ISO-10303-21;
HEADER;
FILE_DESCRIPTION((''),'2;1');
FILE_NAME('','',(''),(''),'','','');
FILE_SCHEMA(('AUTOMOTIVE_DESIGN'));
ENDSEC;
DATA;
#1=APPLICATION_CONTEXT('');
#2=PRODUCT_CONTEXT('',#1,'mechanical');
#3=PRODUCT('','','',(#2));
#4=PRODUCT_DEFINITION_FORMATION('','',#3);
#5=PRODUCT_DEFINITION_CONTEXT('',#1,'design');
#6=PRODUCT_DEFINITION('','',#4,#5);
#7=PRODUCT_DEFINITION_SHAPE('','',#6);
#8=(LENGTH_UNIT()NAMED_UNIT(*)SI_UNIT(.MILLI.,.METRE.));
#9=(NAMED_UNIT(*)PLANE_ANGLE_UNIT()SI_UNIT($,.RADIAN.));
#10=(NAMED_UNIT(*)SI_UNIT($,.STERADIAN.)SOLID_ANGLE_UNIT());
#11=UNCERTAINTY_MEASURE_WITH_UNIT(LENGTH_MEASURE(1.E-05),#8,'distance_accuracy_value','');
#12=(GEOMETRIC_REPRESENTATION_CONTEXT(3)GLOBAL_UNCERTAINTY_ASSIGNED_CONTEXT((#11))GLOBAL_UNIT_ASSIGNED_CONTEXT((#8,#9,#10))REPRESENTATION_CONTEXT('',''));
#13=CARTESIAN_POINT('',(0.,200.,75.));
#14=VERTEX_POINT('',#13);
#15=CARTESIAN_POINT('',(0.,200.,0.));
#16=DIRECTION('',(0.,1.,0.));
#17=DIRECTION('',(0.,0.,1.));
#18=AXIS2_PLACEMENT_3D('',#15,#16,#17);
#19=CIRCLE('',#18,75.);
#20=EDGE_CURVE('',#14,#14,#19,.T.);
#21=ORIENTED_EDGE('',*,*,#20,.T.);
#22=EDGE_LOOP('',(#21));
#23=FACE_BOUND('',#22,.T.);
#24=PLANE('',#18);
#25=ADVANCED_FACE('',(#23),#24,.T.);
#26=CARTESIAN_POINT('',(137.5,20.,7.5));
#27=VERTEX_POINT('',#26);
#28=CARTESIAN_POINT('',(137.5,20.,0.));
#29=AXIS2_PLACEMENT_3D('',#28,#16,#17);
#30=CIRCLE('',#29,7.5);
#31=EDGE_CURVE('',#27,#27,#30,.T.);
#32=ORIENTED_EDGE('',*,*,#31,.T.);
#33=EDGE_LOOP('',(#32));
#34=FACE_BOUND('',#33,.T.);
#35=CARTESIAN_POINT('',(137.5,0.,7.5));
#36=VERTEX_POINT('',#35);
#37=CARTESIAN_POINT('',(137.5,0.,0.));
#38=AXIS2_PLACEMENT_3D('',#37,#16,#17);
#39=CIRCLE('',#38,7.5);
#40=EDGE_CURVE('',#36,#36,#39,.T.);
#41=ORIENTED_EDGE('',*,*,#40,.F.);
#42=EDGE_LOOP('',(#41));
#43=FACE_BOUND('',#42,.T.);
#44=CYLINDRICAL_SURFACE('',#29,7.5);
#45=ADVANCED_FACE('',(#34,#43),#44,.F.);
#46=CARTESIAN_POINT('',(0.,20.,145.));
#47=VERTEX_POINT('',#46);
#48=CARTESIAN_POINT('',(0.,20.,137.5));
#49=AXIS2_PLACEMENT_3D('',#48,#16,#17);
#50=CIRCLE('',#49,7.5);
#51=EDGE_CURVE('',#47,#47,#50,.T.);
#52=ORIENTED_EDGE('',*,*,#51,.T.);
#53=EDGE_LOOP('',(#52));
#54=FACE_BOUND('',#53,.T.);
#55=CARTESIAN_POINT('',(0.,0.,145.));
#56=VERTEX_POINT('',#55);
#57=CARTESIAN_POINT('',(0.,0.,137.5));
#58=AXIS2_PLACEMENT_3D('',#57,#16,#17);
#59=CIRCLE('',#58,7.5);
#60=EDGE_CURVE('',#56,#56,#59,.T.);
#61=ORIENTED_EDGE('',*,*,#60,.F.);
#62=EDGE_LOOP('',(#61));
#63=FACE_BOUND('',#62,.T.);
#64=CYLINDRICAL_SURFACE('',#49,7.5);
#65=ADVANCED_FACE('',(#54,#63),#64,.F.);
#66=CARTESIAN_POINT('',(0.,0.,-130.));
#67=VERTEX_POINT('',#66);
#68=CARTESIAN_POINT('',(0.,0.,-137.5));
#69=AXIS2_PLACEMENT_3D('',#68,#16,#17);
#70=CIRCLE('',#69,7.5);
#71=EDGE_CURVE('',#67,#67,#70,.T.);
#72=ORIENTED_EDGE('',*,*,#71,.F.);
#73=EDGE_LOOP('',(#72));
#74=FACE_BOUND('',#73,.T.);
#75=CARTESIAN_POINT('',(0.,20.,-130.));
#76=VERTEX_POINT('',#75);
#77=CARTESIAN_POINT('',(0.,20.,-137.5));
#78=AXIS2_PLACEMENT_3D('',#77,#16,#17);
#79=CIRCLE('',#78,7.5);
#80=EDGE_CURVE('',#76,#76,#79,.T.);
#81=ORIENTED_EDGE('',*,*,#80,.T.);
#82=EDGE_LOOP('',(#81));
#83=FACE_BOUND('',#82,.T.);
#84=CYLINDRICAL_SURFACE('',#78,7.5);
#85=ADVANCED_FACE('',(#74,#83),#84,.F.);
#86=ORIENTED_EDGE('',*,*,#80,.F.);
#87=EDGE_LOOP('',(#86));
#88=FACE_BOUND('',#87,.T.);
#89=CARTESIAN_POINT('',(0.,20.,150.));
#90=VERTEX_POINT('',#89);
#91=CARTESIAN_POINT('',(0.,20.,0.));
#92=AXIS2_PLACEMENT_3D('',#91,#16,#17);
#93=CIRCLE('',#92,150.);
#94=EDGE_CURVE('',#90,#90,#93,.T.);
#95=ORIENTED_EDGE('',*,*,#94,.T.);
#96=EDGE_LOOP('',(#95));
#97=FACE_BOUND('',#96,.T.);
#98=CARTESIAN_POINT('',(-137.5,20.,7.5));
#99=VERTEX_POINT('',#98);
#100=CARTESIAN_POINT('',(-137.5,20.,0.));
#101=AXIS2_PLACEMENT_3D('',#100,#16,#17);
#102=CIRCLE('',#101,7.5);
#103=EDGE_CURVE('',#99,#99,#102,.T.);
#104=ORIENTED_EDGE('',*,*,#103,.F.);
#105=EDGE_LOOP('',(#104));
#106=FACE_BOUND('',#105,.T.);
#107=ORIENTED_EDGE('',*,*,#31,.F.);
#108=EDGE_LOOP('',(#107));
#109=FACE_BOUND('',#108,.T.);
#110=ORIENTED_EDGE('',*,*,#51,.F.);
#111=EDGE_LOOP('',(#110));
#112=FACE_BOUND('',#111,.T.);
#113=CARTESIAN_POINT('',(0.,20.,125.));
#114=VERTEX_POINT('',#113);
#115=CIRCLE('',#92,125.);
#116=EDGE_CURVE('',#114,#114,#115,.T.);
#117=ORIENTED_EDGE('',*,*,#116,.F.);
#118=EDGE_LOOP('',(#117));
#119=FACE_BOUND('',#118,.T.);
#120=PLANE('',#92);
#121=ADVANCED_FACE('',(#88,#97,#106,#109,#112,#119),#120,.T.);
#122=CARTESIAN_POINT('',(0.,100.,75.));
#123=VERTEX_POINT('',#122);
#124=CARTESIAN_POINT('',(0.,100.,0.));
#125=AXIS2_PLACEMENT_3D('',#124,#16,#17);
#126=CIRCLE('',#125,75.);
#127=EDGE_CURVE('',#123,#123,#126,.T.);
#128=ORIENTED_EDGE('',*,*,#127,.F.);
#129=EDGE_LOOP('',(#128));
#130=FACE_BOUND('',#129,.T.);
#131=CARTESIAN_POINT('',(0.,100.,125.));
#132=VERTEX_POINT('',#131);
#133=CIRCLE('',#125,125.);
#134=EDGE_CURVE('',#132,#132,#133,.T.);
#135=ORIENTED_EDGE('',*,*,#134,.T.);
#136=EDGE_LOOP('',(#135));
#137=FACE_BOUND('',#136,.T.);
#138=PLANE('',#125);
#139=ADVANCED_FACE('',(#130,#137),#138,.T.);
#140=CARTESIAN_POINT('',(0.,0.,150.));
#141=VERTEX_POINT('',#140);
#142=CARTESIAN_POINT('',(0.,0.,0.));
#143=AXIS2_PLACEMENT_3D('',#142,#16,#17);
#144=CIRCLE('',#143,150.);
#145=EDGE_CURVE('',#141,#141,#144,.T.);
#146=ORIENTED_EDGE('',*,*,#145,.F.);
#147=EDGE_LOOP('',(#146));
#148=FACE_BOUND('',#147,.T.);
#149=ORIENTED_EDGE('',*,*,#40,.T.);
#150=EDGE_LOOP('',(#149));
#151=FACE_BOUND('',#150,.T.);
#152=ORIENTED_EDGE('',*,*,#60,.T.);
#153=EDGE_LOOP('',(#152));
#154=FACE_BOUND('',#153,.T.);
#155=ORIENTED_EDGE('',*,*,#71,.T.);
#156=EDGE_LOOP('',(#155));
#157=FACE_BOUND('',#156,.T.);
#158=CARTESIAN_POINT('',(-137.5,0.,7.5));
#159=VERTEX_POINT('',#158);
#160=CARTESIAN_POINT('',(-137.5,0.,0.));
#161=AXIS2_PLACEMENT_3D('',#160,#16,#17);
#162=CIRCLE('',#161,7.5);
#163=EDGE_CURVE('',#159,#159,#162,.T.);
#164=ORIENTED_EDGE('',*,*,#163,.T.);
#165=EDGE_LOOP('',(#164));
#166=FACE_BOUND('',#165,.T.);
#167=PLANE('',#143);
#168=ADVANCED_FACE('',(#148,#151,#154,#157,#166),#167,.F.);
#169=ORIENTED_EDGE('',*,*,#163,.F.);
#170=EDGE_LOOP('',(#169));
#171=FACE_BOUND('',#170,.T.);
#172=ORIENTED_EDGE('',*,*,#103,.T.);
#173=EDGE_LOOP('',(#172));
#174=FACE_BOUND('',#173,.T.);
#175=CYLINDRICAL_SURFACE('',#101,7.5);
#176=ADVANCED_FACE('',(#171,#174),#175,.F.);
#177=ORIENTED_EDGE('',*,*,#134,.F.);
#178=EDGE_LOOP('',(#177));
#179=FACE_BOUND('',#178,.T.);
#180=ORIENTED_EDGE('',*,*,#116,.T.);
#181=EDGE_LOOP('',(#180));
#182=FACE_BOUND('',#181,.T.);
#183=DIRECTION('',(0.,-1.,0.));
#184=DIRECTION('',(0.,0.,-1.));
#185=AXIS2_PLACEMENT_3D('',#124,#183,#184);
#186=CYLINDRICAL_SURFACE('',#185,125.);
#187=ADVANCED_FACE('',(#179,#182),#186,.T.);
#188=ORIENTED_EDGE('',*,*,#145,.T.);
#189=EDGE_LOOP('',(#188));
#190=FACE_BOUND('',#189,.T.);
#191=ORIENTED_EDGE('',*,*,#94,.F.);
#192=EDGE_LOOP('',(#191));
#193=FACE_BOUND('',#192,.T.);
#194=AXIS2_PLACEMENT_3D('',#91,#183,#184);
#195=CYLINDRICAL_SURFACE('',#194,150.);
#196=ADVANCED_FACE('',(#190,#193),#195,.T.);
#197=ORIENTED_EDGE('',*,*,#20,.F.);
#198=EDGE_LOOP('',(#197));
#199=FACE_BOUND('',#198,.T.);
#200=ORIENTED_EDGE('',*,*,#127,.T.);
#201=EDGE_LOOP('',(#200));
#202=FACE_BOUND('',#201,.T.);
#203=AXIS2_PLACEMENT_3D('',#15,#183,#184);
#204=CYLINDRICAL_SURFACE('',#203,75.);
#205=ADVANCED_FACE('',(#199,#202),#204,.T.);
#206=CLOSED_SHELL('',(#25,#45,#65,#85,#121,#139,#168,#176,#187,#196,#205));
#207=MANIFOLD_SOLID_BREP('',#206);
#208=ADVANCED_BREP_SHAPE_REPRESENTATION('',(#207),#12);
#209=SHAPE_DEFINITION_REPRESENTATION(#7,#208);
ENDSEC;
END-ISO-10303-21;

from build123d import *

# Parameters (mm, degrees)
SKETCH1_R                  = 150
SKETCH1_R_2                = 125
BOSS_EXTRUDE1_DEPTH        = 20
SKETCH1_2_R                = 125
BOSS_EXTRUDE2_DEPTH        = 100
SKETCH2_R                  = 75
BOSS_EXTRUDE3_DEPTH        = 100
F_15_0_15_DIAMETER_HOLE1_D = 15
CIRPATTERN1_COUNT          = 4


with BuildPart() as part:
    # Sketch1 → Boss-Extrude1 (new body)
    with BuildSketch(Plane(origin=(0, 0, 0), x_dir=(1, 0, 0), z_dir=(0, 1, 0))):
        Circle(SKETCH1_R)
        Circle(SKETCH1_R_2, mode=Mode.SUBTRACT)
    extrude(amount=BOSS_EXTRUDE1_DEPTH)

    # Sketch1<2> → Boss-Extrude2 (add)
    with BuildSketch(Plane(origin=(0, 0, 0), x_dir=(1, 0, 0), z_dir=(0, 1, 0))):
        Circle(SKETCH1_2_R)
    extrude(amount=BOSS_EXTRUDE2_DEPTH)

    # Sketch2 → Boss-Extrude3 (add)
    with BuildSketch(Plane(origin=(0, 100, 0), x_dir=(1, 0, 0), z_dir=(0, 1, 0))):
        Circle(SKETCH2_R)
    extrude(amount=BOSS_EXTRUDE3_DEPTH)

    # Ø15.0 (15) Diameter Hole1 (through all)
    with Locations(Plane(origin=(0, 20, 0), x_dir=(1, 0, 0), z_dir=(0, 1, 0))):
        with Locations((137.5, 0)):
            f_15_0_15_diameter_hole1 = Hole(F_15_0_15_DIAMETER_HOLE1_D / 2)

    # CirPattern1: Ø15.0 (15) Diameter Hole1 ×4 about axis
    cirpattern1_axis = Axis((0, 100, 0), (0, -1, 0))
    for i in range(1, CIRPATTERN1_COUNT):
        add(f_15_0_15_diameter_hole1.rotate(cirpattern1_axis, i * 360 / CIRPATTERN1_COUNT), mode=Mode.SUBTRACT)


solid = part.part
